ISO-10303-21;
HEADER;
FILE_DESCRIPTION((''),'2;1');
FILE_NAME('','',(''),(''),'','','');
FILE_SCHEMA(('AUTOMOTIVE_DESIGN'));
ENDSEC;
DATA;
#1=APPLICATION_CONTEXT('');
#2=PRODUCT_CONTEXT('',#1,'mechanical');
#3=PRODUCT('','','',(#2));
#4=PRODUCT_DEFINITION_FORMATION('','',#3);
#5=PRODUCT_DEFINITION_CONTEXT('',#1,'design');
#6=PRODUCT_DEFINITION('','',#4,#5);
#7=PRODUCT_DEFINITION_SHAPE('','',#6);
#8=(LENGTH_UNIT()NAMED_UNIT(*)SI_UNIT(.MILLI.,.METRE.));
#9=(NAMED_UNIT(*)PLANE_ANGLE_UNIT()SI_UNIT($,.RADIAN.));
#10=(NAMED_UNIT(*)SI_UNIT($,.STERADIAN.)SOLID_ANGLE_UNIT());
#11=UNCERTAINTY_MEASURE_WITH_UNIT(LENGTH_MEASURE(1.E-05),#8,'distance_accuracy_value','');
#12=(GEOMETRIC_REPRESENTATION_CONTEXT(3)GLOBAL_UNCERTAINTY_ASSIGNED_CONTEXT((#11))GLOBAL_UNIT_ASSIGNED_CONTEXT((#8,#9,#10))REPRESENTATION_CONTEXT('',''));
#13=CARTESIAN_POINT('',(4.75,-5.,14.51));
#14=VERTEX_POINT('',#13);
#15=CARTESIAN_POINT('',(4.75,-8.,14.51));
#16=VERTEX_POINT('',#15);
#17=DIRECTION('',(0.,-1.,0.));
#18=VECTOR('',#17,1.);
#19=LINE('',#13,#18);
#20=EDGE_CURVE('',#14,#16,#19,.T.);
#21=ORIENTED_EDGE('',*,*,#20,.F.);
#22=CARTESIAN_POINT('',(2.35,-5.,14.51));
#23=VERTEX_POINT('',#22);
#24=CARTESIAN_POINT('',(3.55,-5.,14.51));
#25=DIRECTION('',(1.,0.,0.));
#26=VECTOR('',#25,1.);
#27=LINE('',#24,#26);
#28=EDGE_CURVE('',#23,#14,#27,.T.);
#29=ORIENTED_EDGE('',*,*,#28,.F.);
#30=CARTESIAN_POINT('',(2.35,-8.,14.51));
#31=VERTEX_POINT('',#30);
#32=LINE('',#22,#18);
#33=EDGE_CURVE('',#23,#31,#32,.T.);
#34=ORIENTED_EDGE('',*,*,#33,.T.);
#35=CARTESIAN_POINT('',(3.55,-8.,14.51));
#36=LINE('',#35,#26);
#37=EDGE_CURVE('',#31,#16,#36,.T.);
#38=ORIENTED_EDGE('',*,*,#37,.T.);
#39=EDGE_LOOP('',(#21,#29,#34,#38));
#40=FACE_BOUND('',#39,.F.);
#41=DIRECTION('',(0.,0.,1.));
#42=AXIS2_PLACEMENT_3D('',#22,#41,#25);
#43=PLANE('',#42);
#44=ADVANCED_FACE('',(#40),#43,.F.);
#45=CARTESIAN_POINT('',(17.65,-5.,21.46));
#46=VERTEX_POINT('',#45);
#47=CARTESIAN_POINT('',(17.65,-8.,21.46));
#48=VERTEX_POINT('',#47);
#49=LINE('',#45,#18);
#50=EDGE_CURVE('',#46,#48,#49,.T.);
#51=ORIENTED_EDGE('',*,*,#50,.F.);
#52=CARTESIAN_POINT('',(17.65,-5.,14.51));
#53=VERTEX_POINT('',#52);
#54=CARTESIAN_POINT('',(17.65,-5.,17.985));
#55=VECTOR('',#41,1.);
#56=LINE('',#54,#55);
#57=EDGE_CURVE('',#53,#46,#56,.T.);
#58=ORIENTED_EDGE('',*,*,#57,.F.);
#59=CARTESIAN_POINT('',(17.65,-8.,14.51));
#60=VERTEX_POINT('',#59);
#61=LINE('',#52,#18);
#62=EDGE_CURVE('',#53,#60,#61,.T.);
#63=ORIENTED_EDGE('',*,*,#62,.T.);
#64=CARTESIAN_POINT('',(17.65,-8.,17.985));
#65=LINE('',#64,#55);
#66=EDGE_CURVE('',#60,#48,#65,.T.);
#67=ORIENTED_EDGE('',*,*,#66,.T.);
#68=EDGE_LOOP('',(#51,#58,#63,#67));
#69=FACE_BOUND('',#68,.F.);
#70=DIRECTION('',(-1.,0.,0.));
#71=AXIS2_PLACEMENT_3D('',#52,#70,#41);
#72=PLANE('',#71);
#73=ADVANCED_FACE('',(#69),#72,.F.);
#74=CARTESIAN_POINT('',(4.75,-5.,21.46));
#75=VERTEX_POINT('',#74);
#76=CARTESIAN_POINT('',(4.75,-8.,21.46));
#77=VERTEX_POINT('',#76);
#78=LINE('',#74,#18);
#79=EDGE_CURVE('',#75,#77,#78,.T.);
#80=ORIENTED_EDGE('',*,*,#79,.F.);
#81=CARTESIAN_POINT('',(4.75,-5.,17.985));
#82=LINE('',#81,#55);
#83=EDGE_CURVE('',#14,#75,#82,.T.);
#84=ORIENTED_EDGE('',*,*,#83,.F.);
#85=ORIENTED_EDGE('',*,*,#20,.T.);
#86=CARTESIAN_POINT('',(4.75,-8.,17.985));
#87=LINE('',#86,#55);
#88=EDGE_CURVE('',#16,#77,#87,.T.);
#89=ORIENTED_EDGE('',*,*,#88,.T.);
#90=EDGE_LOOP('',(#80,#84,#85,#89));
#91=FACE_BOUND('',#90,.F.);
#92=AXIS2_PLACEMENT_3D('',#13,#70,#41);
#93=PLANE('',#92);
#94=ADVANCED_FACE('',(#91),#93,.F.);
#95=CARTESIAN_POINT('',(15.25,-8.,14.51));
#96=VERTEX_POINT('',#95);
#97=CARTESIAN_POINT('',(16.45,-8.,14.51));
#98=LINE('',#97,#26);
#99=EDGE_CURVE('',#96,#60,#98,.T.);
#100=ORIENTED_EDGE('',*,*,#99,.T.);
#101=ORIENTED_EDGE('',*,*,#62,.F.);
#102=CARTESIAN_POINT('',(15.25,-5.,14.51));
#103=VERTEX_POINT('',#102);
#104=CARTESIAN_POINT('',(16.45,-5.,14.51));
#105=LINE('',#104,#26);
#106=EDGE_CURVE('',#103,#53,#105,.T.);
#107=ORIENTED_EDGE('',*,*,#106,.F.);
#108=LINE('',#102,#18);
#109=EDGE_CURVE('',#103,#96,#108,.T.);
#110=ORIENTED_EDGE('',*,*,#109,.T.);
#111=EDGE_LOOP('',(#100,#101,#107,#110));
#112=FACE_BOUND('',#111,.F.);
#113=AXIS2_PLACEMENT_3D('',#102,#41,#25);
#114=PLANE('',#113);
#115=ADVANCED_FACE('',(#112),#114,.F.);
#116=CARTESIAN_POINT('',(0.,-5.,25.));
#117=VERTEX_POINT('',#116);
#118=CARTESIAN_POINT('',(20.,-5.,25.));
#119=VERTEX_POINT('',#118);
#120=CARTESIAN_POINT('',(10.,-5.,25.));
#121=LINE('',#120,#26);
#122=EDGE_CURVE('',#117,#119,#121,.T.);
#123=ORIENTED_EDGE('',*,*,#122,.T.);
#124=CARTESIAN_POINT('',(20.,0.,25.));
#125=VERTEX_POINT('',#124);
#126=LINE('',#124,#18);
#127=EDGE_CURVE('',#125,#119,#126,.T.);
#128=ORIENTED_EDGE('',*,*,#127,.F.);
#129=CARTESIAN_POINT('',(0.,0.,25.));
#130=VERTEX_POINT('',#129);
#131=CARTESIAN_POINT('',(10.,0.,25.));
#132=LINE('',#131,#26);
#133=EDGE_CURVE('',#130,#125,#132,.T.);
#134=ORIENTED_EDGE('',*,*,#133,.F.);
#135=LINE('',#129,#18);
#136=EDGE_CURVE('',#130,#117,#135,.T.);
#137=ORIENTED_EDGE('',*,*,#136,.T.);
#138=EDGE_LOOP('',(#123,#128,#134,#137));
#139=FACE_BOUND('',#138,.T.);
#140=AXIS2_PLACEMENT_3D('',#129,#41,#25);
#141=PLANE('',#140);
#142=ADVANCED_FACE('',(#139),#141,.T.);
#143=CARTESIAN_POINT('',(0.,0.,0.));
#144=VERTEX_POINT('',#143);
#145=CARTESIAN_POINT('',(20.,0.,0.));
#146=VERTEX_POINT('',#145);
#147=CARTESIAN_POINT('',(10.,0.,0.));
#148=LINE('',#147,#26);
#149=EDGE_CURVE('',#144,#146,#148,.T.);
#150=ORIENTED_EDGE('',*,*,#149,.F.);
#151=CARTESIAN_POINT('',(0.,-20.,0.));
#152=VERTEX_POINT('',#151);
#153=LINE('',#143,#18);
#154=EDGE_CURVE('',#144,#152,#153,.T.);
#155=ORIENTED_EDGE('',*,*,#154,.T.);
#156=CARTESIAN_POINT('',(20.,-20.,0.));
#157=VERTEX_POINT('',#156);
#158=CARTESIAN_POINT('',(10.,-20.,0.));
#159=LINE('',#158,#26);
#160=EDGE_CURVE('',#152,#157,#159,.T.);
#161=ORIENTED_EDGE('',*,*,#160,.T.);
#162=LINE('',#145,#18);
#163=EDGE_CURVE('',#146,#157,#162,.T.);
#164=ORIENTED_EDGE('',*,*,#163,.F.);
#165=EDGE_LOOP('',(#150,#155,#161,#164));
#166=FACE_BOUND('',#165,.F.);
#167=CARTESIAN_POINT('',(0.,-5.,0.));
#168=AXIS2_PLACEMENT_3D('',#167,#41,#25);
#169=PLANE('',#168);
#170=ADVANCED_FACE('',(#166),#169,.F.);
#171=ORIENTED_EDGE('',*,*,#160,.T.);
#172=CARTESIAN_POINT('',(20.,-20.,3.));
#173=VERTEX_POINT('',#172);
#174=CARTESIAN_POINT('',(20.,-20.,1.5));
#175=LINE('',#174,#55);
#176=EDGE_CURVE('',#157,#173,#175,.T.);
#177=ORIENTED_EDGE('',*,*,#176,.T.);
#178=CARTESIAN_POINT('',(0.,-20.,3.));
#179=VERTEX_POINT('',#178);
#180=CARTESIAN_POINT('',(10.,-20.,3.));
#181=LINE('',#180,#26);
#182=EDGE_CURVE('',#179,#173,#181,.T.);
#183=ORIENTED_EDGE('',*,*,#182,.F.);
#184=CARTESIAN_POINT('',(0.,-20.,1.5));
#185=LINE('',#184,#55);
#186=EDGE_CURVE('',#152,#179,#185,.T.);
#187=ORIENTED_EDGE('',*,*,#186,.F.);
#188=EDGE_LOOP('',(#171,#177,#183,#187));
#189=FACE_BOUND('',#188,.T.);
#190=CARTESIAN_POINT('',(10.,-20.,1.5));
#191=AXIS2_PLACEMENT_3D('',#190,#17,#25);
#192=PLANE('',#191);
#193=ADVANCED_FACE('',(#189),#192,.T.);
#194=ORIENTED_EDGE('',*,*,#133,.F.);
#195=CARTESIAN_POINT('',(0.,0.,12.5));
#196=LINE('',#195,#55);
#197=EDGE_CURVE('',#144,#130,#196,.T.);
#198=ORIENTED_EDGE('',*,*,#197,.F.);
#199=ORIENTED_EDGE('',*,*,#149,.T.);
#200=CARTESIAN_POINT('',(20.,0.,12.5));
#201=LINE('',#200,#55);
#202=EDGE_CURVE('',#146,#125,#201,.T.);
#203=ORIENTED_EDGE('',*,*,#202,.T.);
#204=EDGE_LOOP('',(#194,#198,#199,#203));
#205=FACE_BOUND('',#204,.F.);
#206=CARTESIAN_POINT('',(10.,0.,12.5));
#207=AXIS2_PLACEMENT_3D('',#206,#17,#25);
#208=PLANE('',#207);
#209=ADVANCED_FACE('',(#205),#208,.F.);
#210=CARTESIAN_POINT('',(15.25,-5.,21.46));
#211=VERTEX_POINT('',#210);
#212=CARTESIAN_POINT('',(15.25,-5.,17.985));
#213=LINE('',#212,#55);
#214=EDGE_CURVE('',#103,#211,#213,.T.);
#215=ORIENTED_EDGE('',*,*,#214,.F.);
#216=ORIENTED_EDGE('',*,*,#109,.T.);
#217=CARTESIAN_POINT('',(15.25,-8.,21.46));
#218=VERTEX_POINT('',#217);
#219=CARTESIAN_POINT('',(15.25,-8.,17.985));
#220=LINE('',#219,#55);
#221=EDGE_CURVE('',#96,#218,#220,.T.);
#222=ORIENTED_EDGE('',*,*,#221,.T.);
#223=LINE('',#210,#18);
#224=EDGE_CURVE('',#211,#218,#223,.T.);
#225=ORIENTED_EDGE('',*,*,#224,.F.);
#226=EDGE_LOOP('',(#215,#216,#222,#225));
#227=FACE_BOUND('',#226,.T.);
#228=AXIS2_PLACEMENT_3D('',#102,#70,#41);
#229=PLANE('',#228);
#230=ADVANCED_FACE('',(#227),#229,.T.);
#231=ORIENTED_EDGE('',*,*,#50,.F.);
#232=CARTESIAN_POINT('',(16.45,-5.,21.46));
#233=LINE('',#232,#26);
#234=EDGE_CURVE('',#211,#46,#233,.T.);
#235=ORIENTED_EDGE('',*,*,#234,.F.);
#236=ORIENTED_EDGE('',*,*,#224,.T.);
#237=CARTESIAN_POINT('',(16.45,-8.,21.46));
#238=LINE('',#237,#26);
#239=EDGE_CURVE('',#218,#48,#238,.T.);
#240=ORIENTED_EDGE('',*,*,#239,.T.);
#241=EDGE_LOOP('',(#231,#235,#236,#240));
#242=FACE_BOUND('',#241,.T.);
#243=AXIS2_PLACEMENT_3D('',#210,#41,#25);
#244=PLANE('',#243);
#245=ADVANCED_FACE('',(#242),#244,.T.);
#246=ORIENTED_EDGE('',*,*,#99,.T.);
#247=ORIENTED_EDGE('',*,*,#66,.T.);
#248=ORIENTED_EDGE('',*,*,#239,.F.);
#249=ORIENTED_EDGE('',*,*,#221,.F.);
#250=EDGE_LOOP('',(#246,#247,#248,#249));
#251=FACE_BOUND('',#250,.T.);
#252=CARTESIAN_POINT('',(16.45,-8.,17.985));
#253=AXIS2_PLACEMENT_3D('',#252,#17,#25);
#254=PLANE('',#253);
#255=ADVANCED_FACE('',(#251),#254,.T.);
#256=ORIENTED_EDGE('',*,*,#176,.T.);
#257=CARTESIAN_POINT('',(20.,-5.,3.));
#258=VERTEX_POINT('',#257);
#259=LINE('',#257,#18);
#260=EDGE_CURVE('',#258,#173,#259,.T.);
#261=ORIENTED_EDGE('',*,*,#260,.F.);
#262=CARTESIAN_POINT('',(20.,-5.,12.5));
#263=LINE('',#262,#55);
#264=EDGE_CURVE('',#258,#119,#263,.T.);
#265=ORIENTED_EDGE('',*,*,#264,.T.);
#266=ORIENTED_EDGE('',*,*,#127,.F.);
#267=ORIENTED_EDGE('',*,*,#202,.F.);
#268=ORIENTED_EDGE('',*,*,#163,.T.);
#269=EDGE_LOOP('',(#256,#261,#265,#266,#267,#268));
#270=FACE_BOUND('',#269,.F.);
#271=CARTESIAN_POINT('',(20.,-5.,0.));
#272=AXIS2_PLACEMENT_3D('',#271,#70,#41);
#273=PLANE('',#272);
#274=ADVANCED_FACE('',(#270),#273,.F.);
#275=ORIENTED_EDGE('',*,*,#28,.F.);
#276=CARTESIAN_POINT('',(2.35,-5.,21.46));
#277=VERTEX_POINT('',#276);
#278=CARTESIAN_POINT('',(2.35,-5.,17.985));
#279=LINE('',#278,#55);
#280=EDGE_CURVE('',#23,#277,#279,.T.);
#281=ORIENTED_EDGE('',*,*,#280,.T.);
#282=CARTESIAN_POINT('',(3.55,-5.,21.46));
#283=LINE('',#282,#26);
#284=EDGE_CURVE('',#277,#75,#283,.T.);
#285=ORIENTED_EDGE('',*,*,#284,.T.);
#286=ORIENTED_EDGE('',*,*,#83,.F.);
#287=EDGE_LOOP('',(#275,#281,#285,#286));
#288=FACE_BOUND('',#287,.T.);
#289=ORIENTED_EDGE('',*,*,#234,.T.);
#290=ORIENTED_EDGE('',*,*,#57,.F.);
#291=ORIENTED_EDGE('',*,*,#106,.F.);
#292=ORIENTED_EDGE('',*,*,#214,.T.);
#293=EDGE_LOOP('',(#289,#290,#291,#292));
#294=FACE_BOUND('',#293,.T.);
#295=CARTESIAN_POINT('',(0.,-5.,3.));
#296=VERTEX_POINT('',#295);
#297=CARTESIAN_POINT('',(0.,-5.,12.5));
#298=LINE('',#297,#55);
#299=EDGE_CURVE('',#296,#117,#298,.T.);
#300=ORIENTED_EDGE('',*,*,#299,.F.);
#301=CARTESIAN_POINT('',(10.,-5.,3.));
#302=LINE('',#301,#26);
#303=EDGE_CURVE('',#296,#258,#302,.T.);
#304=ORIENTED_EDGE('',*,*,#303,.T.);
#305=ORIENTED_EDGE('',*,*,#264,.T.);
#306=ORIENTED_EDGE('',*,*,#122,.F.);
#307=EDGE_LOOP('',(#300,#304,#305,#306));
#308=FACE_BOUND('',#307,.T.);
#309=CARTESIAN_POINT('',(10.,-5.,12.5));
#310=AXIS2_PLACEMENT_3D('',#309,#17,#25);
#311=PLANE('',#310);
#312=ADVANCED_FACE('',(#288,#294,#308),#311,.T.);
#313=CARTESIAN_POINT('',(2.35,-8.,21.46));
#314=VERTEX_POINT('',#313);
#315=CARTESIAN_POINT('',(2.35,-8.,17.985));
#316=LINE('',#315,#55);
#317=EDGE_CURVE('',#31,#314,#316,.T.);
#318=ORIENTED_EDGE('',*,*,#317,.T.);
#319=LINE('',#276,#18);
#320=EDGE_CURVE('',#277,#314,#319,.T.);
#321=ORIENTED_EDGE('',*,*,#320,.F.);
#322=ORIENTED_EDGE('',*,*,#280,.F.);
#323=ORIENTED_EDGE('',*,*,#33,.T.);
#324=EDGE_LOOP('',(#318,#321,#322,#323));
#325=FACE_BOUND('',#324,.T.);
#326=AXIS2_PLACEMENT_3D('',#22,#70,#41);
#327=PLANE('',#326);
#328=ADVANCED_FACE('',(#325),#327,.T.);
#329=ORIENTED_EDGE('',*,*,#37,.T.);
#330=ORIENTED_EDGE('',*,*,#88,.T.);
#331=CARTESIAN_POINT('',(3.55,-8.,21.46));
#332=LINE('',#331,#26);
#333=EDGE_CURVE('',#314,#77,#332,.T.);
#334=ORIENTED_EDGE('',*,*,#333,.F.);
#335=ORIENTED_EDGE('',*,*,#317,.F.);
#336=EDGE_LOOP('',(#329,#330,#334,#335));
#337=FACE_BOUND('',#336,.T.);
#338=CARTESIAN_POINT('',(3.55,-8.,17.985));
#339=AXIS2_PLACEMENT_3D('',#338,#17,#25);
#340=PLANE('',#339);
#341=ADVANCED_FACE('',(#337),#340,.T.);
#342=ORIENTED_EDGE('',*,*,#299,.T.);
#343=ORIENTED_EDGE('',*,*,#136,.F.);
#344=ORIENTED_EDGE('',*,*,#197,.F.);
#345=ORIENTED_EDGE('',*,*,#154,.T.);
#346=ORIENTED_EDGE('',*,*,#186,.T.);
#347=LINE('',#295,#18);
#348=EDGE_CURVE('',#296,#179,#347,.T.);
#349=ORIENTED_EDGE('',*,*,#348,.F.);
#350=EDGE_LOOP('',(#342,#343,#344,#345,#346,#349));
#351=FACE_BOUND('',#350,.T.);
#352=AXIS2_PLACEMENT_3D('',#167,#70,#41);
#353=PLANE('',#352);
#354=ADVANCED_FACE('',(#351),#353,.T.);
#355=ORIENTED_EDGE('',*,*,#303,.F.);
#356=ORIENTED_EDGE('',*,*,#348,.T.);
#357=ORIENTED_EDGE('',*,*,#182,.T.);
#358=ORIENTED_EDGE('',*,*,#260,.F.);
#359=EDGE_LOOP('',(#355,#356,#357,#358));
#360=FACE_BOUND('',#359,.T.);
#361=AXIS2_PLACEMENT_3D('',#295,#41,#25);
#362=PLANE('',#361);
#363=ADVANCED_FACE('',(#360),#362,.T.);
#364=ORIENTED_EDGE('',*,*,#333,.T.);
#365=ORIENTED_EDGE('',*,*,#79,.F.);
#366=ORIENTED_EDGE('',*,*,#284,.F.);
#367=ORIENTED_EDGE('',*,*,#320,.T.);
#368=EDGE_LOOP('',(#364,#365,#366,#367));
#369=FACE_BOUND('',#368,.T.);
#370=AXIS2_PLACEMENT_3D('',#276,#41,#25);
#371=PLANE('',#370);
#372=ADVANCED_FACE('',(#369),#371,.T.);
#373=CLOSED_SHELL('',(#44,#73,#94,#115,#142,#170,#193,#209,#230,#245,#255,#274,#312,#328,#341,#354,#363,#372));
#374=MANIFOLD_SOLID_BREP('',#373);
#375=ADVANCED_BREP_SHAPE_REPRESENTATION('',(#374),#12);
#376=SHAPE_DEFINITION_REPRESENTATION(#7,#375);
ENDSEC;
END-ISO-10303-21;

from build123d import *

# Parameters (mm, degrees)
F0_W     = 20
F0_H     = 25
F1_DEPTH = 5
F2_W     = 20
F2_H     = 3
F3_DEPTH = 15
F4_W     = 2.4
F4_H     = 6.95
F5_DEPTH = 3


with BuildPart() as f1:
    # F0 (on Front) → F1 (new body)
    with BuildSketch(Plane.XZ):
        with Locations((10, 12.5)):
            Rectangle(F0_W, F0_H)
    extrude(amount=F1_DEPTH)

    # F2 (on face) → F3 (join)
    with BuildSketch(Plane.XZ.offset(5)):
        with Locations((10, 1.5)):
            Rectangle(F2_W, F2_H)
    extrude(amount=F3_DEPTH)

    # F4 (on face) → F5 (join)
    with BuildSketch(Plane.XZ.offset(5)):
        with Locations((3.55, 17.985)):
            Rectangle(F4_W, F4_H)
        with Locations((16.45, 17.985)):
            Rectangle(F4_W, F4_H)
    extrude(amount=F5_DEPTH)


solid = f1.part
